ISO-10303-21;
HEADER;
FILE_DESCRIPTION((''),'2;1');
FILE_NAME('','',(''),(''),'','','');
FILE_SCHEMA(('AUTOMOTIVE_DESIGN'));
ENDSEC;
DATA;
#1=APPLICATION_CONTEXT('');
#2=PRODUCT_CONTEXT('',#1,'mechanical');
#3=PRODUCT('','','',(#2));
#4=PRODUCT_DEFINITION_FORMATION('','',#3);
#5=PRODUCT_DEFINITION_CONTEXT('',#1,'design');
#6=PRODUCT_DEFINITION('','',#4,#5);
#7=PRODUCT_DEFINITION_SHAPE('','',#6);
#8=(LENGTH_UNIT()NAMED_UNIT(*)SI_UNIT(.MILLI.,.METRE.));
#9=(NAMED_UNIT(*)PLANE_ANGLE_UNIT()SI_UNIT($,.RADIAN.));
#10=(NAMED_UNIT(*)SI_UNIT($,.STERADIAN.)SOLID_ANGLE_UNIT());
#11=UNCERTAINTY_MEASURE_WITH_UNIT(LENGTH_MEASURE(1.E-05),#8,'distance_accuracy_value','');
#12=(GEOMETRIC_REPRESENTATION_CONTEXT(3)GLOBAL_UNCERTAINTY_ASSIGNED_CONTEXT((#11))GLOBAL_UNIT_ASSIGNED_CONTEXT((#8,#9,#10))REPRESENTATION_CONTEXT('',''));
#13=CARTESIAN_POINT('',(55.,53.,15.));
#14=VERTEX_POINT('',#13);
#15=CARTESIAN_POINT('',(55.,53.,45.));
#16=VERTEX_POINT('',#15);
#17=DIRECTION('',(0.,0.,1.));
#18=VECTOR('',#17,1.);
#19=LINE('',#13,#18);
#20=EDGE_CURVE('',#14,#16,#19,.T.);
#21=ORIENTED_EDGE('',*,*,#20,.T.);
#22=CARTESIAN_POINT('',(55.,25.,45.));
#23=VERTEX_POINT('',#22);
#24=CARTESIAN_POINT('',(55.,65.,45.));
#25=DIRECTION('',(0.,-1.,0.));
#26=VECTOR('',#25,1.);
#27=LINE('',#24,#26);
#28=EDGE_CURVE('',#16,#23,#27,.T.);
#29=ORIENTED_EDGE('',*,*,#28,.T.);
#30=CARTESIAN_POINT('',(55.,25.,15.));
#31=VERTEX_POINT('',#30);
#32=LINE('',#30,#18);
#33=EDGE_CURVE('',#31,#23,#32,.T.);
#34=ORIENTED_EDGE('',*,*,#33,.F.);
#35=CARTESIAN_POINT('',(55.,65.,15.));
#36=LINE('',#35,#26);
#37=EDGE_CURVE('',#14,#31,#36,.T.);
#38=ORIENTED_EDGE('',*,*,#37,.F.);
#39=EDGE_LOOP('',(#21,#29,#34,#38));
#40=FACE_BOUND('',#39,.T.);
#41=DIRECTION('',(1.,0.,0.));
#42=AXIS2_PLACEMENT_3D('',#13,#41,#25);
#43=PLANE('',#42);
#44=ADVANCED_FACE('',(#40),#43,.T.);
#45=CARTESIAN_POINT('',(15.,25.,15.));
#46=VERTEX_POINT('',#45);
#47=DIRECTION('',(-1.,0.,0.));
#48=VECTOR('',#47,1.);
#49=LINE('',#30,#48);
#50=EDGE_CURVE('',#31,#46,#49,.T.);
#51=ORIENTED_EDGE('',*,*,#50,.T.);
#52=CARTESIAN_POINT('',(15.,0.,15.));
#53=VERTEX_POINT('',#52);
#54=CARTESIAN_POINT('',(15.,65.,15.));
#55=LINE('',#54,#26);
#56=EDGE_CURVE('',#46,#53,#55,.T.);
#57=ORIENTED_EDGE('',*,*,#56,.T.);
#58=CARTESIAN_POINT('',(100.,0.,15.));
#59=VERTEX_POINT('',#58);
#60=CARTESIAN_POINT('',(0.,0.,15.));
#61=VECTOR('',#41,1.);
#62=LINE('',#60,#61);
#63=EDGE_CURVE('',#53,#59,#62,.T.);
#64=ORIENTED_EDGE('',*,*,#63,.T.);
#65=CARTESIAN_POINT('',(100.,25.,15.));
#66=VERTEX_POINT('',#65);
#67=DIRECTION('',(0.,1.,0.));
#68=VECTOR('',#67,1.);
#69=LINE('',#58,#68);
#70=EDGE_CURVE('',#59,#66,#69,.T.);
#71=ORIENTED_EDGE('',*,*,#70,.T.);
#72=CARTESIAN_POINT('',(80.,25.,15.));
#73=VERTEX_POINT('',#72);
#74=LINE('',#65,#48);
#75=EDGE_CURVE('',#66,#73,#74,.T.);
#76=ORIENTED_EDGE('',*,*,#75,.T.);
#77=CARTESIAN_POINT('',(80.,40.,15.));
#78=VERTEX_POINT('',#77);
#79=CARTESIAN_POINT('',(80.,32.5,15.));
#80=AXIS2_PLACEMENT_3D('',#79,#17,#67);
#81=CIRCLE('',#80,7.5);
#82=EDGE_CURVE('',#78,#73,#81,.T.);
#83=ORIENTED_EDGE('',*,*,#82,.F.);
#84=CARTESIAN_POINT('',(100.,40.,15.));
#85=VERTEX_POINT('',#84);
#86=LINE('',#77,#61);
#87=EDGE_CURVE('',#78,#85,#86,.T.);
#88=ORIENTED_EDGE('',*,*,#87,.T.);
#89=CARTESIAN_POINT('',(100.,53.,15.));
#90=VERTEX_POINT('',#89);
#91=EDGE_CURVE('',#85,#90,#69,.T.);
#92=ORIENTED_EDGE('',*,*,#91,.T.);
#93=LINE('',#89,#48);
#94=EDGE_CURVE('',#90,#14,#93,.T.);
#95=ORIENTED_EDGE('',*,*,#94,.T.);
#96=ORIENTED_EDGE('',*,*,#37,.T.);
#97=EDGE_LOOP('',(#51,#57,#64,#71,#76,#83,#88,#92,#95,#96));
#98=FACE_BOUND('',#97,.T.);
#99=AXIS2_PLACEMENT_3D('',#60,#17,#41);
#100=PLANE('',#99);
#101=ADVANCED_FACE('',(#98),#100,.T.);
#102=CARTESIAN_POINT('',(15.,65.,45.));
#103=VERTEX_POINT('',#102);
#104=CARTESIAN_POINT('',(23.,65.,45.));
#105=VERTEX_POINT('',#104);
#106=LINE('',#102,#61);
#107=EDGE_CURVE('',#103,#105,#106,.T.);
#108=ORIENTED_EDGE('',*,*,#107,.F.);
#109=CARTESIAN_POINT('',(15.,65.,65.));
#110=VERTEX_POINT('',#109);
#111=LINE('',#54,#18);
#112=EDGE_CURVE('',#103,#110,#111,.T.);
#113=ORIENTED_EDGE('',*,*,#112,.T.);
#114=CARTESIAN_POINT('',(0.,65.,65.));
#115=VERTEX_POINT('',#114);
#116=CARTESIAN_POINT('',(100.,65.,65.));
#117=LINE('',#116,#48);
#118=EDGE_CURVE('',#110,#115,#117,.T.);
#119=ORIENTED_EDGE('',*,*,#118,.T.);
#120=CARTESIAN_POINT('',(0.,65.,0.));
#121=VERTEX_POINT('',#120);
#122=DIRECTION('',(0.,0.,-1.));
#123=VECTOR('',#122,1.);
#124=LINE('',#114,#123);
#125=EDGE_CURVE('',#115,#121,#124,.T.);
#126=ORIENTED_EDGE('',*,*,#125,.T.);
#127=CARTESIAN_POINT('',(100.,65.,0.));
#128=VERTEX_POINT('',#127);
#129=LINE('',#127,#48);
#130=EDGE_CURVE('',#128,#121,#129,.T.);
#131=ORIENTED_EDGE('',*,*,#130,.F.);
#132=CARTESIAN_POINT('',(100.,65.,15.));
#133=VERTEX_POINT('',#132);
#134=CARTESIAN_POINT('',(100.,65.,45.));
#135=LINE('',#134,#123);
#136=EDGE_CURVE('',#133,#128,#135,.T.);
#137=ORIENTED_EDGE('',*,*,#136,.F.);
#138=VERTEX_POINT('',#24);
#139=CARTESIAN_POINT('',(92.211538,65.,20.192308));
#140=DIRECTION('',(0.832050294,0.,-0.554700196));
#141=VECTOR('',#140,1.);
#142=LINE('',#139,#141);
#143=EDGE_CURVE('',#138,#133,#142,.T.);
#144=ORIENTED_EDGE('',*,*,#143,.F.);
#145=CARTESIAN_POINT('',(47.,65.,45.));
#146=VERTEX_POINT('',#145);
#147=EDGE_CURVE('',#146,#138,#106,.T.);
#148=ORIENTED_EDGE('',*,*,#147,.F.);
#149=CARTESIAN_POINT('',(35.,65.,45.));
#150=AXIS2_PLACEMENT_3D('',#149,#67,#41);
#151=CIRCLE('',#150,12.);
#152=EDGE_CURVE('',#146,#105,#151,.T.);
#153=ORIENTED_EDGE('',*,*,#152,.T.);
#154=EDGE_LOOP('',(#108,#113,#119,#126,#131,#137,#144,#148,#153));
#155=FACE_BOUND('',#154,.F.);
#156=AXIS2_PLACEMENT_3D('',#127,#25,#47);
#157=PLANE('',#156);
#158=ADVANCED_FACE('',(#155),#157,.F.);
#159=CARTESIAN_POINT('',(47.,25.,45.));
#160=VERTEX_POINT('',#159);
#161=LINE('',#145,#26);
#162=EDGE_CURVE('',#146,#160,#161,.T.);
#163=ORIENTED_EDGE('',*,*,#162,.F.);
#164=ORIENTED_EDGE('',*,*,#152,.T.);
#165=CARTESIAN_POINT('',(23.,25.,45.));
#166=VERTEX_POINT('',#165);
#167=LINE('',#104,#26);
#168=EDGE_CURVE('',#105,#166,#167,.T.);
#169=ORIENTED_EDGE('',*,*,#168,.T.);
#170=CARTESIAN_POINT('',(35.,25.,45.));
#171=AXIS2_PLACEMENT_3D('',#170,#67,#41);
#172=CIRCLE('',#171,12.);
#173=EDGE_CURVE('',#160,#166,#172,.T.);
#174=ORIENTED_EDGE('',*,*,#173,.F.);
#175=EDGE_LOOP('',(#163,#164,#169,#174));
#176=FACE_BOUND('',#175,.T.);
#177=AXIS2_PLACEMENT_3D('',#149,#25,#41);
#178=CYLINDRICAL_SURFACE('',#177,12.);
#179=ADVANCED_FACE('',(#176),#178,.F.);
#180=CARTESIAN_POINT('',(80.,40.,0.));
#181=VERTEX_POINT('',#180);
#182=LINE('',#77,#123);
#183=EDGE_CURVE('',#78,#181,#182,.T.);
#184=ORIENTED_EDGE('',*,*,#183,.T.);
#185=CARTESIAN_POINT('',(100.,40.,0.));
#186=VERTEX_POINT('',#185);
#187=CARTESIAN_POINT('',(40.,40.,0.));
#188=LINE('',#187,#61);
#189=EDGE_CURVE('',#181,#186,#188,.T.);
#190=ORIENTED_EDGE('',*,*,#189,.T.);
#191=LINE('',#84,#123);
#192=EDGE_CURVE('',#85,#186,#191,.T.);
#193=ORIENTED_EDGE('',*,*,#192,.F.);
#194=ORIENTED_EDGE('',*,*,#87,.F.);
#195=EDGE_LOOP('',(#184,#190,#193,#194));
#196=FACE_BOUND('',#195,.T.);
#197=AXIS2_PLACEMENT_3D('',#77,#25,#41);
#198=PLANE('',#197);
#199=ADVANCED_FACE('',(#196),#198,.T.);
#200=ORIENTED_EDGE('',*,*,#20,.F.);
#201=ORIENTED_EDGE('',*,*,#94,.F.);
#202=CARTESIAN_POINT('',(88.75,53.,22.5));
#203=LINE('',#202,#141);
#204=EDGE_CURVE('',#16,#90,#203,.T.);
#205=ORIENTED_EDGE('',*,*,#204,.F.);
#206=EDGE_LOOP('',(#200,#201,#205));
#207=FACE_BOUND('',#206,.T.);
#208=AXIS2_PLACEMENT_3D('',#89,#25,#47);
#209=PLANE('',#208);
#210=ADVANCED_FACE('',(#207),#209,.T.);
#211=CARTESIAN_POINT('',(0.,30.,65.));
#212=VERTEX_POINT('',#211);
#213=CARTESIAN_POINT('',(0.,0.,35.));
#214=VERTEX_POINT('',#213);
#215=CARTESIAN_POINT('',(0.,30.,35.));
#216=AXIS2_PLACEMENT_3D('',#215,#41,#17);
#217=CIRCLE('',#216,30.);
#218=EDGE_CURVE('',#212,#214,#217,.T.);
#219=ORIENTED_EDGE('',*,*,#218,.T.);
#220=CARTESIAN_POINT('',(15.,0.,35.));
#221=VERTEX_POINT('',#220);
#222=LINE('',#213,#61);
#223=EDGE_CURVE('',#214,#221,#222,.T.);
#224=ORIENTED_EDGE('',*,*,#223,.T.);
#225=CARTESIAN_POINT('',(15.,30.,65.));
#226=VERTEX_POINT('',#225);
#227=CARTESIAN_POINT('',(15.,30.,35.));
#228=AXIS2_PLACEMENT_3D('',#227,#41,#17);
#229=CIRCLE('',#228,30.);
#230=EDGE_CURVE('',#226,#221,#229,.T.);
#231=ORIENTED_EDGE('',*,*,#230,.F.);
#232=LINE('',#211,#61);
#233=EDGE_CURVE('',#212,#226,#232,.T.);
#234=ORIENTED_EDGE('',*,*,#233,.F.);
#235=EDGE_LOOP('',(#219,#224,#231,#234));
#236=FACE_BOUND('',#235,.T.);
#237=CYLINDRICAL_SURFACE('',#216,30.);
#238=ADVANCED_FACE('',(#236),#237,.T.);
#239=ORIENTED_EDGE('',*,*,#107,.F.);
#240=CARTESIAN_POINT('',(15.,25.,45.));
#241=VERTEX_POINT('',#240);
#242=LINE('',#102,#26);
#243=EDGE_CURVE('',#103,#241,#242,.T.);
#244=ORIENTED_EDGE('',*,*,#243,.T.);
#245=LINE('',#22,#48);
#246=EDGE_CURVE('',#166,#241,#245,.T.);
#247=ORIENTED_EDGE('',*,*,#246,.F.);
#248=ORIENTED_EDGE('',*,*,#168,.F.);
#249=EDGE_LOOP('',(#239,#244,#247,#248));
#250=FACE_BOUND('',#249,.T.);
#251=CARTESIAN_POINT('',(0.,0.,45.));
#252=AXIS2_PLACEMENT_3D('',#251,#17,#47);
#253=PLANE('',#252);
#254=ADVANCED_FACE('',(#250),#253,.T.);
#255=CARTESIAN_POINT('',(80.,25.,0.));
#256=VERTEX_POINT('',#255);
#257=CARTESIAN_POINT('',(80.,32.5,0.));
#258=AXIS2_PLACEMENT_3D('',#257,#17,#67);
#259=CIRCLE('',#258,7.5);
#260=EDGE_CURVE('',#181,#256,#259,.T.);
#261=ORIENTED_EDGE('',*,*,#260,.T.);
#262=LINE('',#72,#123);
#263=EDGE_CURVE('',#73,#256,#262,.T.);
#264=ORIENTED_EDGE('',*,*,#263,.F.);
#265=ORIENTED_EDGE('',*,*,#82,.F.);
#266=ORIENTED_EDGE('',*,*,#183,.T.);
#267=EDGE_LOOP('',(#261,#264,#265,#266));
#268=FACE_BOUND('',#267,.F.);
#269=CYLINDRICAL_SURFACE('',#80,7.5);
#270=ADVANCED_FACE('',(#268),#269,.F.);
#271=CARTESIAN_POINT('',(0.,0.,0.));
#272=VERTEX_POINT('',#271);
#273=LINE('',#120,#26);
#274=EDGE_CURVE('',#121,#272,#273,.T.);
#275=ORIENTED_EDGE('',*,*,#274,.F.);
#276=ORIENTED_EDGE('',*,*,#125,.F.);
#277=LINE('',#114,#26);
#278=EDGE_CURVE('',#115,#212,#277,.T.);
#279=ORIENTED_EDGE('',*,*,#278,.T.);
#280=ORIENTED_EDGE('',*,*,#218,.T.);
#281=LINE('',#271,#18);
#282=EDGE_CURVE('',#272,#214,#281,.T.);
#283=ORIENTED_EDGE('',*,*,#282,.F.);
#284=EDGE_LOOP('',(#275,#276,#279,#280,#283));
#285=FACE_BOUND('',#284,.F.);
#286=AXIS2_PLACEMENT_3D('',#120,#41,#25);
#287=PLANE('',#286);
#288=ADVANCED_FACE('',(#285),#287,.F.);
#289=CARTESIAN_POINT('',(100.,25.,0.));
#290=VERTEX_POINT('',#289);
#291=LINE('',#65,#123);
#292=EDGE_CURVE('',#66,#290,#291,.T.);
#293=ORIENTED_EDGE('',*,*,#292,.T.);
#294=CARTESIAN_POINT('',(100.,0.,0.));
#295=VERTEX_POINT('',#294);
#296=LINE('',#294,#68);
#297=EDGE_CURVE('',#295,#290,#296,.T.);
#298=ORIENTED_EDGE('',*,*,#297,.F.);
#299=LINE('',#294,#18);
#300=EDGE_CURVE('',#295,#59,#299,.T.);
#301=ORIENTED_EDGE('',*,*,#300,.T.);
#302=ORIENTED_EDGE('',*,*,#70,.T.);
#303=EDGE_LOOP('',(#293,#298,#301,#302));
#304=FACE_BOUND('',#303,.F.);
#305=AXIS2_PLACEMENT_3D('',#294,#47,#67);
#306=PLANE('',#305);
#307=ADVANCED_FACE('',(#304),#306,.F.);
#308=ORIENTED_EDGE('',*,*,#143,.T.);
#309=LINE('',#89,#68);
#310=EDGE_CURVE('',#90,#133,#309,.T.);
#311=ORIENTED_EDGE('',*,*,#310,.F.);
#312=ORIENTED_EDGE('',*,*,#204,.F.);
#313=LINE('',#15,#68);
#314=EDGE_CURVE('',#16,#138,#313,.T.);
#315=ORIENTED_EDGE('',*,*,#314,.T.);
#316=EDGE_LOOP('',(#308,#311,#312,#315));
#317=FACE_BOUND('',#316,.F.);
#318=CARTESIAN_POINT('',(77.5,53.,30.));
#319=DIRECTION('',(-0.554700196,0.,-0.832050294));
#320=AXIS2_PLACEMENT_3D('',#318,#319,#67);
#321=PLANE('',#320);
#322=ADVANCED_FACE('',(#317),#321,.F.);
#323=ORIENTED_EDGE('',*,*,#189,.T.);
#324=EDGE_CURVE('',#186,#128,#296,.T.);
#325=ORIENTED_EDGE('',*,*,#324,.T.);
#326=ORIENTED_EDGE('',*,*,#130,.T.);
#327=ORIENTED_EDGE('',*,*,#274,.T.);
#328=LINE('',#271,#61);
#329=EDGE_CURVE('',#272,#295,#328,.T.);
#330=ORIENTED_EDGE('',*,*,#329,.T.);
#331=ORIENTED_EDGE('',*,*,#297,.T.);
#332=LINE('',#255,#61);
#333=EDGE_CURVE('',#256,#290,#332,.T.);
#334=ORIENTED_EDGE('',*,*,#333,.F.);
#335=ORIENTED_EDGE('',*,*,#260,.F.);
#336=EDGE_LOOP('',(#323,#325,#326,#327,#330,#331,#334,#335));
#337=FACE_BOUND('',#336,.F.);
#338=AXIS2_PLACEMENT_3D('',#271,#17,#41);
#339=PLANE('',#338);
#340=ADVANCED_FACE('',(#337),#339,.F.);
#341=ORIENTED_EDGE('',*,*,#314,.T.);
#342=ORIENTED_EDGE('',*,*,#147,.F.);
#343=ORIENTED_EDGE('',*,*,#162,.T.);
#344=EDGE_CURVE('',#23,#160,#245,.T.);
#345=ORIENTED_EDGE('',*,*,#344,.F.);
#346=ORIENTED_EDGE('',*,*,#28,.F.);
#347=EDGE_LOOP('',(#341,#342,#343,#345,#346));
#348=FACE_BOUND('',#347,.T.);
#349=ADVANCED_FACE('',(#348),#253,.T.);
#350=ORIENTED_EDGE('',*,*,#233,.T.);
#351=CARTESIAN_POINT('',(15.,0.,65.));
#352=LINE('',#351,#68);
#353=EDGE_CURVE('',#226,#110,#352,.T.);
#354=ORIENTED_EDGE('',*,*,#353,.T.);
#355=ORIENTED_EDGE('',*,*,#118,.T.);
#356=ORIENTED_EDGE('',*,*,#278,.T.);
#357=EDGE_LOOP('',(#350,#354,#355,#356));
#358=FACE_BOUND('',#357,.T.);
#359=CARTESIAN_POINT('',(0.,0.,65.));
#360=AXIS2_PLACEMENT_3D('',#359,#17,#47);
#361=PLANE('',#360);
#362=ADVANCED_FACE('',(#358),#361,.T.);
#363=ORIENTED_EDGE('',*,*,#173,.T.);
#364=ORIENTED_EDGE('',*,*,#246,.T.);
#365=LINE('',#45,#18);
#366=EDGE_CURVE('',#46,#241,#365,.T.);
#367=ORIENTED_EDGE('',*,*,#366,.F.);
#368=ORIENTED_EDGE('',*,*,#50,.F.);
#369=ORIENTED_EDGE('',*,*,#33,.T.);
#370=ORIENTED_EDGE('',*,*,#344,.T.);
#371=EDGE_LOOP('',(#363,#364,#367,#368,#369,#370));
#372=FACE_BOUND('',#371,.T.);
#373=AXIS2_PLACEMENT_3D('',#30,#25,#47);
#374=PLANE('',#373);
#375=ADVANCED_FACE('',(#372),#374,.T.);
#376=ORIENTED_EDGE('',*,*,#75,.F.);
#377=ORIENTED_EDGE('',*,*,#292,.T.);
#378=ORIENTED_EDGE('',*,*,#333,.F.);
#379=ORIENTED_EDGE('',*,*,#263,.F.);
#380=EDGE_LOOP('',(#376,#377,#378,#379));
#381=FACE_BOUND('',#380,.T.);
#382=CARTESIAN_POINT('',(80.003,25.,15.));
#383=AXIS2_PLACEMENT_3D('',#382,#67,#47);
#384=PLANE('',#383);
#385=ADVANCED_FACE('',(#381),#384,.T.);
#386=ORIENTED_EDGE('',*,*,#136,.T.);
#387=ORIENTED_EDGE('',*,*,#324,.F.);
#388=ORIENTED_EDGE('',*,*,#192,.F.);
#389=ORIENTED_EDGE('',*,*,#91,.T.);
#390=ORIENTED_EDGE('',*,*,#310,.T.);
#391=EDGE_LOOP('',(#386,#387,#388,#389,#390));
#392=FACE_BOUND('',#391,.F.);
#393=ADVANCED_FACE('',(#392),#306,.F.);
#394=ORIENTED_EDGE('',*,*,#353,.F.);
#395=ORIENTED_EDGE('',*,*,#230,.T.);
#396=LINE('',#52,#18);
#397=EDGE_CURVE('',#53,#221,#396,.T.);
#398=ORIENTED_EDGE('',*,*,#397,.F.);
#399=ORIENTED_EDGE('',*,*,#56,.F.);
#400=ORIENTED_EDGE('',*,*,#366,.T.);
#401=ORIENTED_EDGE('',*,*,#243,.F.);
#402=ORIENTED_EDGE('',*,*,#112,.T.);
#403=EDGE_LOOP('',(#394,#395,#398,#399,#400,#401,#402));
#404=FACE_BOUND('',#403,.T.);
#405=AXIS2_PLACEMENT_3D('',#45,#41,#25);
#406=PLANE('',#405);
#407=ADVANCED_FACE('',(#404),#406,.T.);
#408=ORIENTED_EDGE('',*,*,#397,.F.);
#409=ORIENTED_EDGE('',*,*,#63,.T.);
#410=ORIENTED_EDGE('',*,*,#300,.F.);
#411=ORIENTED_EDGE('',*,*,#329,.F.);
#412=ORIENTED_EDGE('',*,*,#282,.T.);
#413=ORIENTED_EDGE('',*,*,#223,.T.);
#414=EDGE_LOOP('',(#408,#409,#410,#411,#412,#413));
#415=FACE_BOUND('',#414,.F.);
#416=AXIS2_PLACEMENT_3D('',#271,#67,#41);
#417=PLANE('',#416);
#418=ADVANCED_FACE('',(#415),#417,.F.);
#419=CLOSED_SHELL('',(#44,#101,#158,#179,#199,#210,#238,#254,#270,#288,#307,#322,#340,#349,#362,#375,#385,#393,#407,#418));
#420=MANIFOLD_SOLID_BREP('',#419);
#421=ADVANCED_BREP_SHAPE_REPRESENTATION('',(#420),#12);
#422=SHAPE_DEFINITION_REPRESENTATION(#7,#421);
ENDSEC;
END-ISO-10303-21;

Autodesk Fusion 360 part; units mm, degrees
sketch "Sketch1" plane through (0, 0, 0) normal (0, 0, 1) x (1, 0, 0)
  line L0 (0, 0) -> (100, 0)
  line L1 (100, 0) -> (100, 65)
  line L2 (100, 65) -> (0, 65)
  line L3 (0, 65) -> (0, 0)
  dimension "d1" = 100
  dimension "d2" = 65
extrude "Extrude1" add sketch "Sketch1" along normal blind 15
sketch "Sketch2" plane through (0, 0, 15) normal (0, 0, 1) x (-1, 0, 0)
  line L0 (0, -65) -> (0, 0)
  line L1 (0, 0) -> (-100, 0)
  line L2 (-100, 0) -> (-100, -65)
  line L3 (-100, -65) -> (0, -65)
  line L4 (0, -65) -> (-15, -65)
  line L5 (-15, -65) -> (-15, 0)
  line L6 (-15, 0) -> (0, 0)
  line L7 (0, 0) -> (0, -65)
  line L8 (-15, -65) -> (-55, -65)
  line L9 (-55, -65) -> (-55, -25)
  line L10 (-55, -25) -> (-15, -25)
  line L11 (-15, -25) -> (-15, -65)
  line L12 (-55, -65) -> (-100, -65)
  line L13 (-100, -65) -> (-100, -53)
  line L14 (-100, -53) -> (-55, -53)
  line L15 (-55, -53) -> (-55, -65)
  line L16 (-80, -40) -> (-100, -40)
  line L17 (-100, -40) -> (-100, -25)
  line L18 (-100, -25) -> (-80, -25)
  arc A0 (-80, -40) -> (-80.003, -25) centre (-80, -32.5) ccw
  dimension "d5" = 15
  dimension "d6" = 65
  dimension "d7" = 40
  dimension "d8" = 40
  dimension "d9" = 45
  dimension "d10" = 12
  dimension "d11" = 15
  dimension "d12" = 20
  dimension "d13" = 20
  dimension "d14" = 15
extrude "Extrude2" add sketch "Sketch2" along normal blind 50 contours L0 L1 L3 L4 L5 L6 L7 L11
extrude "Extrude3" add sketch "Sketch2" along normal blind 30 contours L3 L5 L8 L9 L10 L11 L15 | L2 L3 L9 L12 L13 L14 L15
extrude "Extrude4" cut sketch "Sketch2" against normal blind 30 contours L2 L16 L17 L18 A0
sketch "Sketch3" plane through (0, 53, 0) normal (0, -1, 0) x (1, 0, 0)
  line L0 (55, 15) -> (100, 15)
  line L1 (100, 15) -> (100, 45)
  line L2 (100, 45) -> (55, 45)
  line L3 (55, 45) -> (55, 15)
  line L4 (55, 45) -> (100, 15)
  line L5 (100, 45) -> (55, 45)
  line L6 (100, 45) -> (100, 15)
fillet "Fillet1" radius 30 1 edges at (7.5, 0, 65)
sketch "Sketch5" plane through (0, 25, 0) normal (0, -1, 0) x (1, 0, 0)
  line L0 (15, 15) -> (55, 15)
  line L1 (55, 15) -> (55, 45)
  line L2 (55, 45) -> (15, 45)
  line L3 (15, 45) -> (15, 15)
  line L4 (15, 45) -> (23, 45)
  line L5 (55, 45) -> (47, 45)
  line L6 (23, 45) -> (35, 45)
  circle A0 centre (35, 45) radius 12
  dimension "d25" = 8
  dimension "d26" = 8
  dimension "d27" = 12
  dimension "d28" = 24
chamfer "Chamfer1" distance 45 distance2 30 1 edges at (100, 59, 45) measured on face at (28.3333, 47.6667, 45)
sketch "Sketch6" plane through (0, 0, 45) normal (0, 0, 1) x (-1, 0, 0)
  line L0 (-55, -53) -> (-55, -65)
  line L1 (-55, -65) -> (-15, -65)
  line L2 (-15, -65) -> (-15, -25)
  line L3 (-15, -25) -> (-55, -25)
  line L4 (-55, -25) -> (-55, -53)
  line L5 (-35, -65) -> (-47, -65)
  line L6 (-47, -65) -> (-47, -25)
  line L7 (-47, -25) -> (-35, -25)
  line L8 (-35, -25) -> (-35, -65)
  dimension "d33" = 12
  dimension "d34" = 40
revolve "Revolve1" cut sketch "Sketch6" angle 360 about axis through (35, 25, 45) along (0, 1, 0) contours L1 L3 L5 L6 L7 L8
